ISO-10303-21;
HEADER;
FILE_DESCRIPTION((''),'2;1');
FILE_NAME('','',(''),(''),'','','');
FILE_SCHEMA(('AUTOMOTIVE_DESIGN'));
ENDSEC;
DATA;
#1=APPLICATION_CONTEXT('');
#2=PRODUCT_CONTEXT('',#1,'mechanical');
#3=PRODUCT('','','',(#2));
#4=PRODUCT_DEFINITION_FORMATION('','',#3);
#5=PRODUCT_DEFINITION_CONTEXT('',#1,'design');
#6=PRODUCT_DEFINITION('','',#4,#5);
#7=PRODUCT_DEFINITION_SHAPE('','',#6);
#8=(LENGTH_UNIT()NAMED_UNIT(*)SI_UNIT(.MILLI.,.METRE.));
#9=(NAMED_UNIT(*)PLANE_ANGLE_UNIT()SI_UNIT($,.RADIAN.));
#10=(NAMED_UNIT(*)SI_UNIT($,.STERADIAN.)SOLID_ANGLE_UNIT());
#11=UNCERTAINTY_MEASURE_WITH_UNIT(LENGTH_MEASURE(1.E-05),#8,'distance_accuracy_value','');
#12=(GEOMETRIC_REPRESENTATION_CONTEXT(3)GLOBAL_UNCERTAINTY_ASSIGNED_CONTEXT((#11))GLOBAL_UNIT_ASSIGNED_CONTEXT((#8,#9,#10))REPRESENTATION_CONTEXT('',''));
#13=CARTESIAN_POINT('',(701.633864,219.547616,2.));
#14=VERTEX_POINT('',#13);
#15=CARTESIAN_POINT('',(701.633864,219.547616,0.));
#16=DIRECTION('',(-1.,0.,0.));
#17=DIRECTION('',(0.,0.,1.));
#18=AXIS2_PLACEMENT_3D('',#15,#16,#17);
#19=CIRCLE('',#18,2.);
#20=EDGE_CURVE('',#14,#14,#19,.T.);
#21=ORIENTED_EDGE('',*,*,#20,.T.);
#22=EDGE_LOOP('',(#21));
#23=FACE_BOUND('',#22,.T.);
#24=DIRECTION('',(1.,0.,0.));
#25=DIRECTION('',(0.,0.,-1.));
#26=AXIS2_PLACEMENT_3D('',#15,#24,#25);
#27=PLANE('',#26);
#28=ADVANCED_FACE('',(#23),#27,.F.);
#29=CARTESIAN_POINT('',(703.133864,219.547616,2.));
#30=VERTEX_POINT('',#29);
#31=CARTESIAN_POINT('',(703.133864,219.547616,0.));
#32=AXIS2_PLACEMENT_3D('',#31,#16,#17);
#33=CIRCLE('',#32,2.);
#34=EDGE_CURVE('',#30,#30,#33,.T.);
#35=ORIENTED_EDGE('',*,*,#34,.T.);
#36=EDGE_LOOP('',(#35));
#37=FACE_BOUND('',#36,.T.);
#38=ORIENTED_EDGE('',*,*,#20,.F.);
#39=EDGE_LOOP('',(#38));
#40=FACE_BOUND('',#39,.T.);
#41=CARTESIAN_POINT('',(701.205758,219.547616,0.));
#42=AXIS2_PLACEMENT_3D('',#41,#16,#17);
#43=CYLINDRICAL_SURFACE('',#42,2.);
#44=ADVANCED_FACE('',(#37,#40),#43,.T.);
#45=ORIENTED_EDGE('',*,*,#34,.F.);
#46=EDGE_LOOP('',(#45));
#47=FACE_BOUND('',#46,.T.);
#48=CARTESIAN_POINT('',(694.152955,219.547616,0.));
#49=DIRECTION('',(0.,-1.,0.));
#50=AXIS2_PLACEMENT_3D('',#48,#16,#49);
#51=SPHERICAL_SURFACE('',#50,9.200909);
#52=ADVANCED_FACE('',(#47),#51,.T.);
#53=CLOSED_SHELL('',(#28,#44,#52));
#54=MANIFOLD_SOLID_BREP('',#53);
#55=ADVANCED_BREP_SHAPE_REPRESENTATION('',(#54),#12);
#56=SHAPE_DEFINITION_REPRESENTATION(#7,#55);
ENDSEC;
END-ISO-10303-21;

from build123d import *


with BuildPart() as part:
    # 草图1 → 旋转1 (revolve)
    with BuildSketch(Plane.XY, mode=Mode.PRIVATE) as revolve_1_sk:
        with BuildLine():
            Line((701.633864429, 219.547615513), (701.633864429, 221.547615513))
            Line((701.633864429, 221.547615513), (703.133864429, 221.547615513))
            ThreePointArc((703.133864429, 221.547615513), (703.298699053, 220.553647322), (703.353864429, 219.547615513))
            Line((703.353864429, 219.547615513), (701.633864429, 219.547615513))
        make_face()
    revolve(revolve_1_sk.sketch.rotate(Axis((701.205757735, 219.547615513, 0), (1, 0, 0)), 180), axis=Axis((701.205757735, 219.547615513, 0), (1, 0, 0)))  # turned: the seam where the file's is


solid = part.part
